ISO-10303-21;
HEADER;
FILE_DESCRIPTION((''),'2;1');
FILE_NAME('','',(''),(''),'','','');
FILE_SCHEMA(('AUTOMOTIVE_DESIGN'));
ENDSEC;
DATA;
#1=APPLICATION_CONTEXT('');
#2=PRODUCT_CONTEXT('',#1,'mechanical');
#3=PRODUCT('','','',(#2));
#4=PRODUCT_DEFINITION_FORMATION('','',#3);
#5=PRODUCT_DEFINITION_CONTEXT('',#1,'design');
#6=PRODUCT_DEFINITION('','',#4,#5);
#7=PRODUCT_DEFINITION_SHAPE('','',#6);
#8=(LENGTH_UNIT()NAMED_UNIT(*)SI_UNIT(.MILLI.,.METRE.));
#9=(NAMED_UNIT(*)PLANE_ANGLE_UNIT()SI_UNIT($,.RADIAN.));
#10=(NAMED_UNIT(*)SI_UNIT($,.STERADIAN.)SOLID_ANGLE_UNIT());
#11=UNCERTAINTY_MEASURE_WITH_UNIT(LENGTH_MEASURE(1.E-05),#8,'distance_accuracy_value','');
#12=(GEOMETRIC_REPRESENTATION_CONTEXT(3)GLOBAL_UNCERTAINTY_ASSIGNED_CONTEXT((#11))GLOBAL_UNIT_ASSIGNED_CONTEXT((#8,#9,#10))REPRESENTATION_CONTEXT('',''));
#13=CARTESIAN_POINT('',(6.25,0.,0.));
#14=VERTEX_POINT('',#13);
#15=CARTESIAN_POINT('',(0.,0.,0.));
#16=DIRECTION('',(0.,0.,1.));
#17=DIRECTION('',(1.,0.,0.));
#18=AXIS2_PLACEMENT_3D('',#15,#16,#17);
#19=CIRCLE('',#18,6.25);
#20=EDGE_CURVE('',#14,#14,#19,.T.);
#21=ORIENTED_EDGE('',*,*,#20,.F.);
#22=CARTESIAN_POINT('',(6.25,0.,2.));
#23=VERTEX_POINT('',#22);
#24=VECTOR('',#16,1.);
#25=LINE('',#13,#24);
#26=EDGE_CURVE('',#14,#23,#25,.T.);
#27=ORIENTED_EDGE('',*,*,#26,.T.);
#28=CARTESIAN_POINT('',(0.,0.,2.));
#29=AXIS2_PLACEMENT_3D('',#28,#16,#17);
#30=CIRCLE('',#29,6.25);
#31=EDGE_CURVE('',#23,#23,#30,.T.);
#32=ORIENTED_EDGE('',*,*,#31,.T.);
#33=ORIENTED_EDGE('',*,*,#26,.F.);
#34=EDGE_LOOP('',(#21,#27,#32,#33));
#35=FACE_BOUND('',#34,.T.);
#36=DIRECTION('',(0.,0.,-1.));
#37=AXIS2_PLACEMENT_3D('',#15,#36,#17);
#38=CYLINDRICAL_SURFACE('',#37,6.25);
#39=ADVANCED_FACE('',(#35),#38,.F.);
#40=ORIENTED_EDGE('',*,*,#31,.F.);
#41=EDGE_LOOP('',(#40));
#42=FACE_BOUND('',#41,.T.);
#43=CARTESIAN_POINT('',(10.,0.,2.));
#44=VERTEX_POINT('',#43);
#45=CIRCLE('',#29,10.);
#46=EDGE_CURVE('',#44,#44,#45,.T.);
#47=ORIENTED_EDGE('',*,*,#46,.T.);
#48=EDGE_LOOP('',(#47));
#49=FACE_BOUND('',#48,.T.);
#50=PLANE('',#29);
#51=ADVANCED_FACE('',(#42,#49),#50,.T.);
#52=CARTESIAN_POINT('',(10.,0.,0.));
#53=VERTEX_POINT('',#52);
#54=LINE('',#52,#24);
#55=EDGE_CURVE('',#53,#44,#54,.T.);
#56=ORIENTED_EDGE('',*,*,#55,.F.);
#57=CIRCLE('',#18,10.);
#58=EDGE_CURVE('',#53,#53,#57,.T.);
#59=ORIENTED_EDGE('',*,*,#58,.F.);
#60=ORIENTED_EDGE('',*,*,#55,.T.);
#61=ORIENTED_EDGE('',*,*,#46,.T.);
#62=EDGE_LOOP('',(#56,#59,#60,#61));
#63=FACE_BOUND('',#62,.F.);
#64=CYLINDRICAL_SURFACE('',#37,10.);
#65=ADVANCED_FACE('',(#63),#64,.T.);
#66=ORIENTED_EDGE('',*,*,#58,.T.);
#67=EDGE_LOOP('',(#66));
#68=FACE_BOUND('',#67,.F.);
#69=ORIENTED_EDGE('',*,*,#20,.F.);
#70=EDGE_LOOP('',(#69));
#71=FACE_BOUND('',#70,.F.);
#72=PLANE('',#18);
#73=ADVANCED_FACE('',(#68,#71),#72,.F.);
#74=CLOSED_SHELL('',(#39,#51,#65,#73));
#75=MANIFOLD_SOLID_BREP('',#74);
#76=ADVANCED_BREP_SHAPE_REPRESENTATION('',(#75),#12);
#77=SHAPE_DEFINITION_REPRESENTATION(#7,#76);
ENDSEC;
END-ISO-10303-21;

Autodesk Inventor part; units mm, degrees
ref_plane "YZ Plane" through (0, 0, 0) normal (1, 0, 0) x (0, 1, 0)
ref_plane "XZ Plane" through (0, 0, 0) normal (0, 1, 0) x (-1, 0, 0)
ref_plane "XY Plane" through (0, 0, 0) normal (0, 0, 1) x (1, 0, 0)
sketch "スケッチ1" plane through (0, 0, 0) normal (0, 0, 1) x (1, 0, 0)
  circle A0 centre (0, 0) radius 6.25
  circle A1 centre (0, 0) radius 10
  dimension "d0" = 12.5
  dimension "d1" = 20
extrude "押し出し1" add sketch "スケッチ1" along normal blind 2
properties part number "TT-1321-20" material "PET プラスチック"
